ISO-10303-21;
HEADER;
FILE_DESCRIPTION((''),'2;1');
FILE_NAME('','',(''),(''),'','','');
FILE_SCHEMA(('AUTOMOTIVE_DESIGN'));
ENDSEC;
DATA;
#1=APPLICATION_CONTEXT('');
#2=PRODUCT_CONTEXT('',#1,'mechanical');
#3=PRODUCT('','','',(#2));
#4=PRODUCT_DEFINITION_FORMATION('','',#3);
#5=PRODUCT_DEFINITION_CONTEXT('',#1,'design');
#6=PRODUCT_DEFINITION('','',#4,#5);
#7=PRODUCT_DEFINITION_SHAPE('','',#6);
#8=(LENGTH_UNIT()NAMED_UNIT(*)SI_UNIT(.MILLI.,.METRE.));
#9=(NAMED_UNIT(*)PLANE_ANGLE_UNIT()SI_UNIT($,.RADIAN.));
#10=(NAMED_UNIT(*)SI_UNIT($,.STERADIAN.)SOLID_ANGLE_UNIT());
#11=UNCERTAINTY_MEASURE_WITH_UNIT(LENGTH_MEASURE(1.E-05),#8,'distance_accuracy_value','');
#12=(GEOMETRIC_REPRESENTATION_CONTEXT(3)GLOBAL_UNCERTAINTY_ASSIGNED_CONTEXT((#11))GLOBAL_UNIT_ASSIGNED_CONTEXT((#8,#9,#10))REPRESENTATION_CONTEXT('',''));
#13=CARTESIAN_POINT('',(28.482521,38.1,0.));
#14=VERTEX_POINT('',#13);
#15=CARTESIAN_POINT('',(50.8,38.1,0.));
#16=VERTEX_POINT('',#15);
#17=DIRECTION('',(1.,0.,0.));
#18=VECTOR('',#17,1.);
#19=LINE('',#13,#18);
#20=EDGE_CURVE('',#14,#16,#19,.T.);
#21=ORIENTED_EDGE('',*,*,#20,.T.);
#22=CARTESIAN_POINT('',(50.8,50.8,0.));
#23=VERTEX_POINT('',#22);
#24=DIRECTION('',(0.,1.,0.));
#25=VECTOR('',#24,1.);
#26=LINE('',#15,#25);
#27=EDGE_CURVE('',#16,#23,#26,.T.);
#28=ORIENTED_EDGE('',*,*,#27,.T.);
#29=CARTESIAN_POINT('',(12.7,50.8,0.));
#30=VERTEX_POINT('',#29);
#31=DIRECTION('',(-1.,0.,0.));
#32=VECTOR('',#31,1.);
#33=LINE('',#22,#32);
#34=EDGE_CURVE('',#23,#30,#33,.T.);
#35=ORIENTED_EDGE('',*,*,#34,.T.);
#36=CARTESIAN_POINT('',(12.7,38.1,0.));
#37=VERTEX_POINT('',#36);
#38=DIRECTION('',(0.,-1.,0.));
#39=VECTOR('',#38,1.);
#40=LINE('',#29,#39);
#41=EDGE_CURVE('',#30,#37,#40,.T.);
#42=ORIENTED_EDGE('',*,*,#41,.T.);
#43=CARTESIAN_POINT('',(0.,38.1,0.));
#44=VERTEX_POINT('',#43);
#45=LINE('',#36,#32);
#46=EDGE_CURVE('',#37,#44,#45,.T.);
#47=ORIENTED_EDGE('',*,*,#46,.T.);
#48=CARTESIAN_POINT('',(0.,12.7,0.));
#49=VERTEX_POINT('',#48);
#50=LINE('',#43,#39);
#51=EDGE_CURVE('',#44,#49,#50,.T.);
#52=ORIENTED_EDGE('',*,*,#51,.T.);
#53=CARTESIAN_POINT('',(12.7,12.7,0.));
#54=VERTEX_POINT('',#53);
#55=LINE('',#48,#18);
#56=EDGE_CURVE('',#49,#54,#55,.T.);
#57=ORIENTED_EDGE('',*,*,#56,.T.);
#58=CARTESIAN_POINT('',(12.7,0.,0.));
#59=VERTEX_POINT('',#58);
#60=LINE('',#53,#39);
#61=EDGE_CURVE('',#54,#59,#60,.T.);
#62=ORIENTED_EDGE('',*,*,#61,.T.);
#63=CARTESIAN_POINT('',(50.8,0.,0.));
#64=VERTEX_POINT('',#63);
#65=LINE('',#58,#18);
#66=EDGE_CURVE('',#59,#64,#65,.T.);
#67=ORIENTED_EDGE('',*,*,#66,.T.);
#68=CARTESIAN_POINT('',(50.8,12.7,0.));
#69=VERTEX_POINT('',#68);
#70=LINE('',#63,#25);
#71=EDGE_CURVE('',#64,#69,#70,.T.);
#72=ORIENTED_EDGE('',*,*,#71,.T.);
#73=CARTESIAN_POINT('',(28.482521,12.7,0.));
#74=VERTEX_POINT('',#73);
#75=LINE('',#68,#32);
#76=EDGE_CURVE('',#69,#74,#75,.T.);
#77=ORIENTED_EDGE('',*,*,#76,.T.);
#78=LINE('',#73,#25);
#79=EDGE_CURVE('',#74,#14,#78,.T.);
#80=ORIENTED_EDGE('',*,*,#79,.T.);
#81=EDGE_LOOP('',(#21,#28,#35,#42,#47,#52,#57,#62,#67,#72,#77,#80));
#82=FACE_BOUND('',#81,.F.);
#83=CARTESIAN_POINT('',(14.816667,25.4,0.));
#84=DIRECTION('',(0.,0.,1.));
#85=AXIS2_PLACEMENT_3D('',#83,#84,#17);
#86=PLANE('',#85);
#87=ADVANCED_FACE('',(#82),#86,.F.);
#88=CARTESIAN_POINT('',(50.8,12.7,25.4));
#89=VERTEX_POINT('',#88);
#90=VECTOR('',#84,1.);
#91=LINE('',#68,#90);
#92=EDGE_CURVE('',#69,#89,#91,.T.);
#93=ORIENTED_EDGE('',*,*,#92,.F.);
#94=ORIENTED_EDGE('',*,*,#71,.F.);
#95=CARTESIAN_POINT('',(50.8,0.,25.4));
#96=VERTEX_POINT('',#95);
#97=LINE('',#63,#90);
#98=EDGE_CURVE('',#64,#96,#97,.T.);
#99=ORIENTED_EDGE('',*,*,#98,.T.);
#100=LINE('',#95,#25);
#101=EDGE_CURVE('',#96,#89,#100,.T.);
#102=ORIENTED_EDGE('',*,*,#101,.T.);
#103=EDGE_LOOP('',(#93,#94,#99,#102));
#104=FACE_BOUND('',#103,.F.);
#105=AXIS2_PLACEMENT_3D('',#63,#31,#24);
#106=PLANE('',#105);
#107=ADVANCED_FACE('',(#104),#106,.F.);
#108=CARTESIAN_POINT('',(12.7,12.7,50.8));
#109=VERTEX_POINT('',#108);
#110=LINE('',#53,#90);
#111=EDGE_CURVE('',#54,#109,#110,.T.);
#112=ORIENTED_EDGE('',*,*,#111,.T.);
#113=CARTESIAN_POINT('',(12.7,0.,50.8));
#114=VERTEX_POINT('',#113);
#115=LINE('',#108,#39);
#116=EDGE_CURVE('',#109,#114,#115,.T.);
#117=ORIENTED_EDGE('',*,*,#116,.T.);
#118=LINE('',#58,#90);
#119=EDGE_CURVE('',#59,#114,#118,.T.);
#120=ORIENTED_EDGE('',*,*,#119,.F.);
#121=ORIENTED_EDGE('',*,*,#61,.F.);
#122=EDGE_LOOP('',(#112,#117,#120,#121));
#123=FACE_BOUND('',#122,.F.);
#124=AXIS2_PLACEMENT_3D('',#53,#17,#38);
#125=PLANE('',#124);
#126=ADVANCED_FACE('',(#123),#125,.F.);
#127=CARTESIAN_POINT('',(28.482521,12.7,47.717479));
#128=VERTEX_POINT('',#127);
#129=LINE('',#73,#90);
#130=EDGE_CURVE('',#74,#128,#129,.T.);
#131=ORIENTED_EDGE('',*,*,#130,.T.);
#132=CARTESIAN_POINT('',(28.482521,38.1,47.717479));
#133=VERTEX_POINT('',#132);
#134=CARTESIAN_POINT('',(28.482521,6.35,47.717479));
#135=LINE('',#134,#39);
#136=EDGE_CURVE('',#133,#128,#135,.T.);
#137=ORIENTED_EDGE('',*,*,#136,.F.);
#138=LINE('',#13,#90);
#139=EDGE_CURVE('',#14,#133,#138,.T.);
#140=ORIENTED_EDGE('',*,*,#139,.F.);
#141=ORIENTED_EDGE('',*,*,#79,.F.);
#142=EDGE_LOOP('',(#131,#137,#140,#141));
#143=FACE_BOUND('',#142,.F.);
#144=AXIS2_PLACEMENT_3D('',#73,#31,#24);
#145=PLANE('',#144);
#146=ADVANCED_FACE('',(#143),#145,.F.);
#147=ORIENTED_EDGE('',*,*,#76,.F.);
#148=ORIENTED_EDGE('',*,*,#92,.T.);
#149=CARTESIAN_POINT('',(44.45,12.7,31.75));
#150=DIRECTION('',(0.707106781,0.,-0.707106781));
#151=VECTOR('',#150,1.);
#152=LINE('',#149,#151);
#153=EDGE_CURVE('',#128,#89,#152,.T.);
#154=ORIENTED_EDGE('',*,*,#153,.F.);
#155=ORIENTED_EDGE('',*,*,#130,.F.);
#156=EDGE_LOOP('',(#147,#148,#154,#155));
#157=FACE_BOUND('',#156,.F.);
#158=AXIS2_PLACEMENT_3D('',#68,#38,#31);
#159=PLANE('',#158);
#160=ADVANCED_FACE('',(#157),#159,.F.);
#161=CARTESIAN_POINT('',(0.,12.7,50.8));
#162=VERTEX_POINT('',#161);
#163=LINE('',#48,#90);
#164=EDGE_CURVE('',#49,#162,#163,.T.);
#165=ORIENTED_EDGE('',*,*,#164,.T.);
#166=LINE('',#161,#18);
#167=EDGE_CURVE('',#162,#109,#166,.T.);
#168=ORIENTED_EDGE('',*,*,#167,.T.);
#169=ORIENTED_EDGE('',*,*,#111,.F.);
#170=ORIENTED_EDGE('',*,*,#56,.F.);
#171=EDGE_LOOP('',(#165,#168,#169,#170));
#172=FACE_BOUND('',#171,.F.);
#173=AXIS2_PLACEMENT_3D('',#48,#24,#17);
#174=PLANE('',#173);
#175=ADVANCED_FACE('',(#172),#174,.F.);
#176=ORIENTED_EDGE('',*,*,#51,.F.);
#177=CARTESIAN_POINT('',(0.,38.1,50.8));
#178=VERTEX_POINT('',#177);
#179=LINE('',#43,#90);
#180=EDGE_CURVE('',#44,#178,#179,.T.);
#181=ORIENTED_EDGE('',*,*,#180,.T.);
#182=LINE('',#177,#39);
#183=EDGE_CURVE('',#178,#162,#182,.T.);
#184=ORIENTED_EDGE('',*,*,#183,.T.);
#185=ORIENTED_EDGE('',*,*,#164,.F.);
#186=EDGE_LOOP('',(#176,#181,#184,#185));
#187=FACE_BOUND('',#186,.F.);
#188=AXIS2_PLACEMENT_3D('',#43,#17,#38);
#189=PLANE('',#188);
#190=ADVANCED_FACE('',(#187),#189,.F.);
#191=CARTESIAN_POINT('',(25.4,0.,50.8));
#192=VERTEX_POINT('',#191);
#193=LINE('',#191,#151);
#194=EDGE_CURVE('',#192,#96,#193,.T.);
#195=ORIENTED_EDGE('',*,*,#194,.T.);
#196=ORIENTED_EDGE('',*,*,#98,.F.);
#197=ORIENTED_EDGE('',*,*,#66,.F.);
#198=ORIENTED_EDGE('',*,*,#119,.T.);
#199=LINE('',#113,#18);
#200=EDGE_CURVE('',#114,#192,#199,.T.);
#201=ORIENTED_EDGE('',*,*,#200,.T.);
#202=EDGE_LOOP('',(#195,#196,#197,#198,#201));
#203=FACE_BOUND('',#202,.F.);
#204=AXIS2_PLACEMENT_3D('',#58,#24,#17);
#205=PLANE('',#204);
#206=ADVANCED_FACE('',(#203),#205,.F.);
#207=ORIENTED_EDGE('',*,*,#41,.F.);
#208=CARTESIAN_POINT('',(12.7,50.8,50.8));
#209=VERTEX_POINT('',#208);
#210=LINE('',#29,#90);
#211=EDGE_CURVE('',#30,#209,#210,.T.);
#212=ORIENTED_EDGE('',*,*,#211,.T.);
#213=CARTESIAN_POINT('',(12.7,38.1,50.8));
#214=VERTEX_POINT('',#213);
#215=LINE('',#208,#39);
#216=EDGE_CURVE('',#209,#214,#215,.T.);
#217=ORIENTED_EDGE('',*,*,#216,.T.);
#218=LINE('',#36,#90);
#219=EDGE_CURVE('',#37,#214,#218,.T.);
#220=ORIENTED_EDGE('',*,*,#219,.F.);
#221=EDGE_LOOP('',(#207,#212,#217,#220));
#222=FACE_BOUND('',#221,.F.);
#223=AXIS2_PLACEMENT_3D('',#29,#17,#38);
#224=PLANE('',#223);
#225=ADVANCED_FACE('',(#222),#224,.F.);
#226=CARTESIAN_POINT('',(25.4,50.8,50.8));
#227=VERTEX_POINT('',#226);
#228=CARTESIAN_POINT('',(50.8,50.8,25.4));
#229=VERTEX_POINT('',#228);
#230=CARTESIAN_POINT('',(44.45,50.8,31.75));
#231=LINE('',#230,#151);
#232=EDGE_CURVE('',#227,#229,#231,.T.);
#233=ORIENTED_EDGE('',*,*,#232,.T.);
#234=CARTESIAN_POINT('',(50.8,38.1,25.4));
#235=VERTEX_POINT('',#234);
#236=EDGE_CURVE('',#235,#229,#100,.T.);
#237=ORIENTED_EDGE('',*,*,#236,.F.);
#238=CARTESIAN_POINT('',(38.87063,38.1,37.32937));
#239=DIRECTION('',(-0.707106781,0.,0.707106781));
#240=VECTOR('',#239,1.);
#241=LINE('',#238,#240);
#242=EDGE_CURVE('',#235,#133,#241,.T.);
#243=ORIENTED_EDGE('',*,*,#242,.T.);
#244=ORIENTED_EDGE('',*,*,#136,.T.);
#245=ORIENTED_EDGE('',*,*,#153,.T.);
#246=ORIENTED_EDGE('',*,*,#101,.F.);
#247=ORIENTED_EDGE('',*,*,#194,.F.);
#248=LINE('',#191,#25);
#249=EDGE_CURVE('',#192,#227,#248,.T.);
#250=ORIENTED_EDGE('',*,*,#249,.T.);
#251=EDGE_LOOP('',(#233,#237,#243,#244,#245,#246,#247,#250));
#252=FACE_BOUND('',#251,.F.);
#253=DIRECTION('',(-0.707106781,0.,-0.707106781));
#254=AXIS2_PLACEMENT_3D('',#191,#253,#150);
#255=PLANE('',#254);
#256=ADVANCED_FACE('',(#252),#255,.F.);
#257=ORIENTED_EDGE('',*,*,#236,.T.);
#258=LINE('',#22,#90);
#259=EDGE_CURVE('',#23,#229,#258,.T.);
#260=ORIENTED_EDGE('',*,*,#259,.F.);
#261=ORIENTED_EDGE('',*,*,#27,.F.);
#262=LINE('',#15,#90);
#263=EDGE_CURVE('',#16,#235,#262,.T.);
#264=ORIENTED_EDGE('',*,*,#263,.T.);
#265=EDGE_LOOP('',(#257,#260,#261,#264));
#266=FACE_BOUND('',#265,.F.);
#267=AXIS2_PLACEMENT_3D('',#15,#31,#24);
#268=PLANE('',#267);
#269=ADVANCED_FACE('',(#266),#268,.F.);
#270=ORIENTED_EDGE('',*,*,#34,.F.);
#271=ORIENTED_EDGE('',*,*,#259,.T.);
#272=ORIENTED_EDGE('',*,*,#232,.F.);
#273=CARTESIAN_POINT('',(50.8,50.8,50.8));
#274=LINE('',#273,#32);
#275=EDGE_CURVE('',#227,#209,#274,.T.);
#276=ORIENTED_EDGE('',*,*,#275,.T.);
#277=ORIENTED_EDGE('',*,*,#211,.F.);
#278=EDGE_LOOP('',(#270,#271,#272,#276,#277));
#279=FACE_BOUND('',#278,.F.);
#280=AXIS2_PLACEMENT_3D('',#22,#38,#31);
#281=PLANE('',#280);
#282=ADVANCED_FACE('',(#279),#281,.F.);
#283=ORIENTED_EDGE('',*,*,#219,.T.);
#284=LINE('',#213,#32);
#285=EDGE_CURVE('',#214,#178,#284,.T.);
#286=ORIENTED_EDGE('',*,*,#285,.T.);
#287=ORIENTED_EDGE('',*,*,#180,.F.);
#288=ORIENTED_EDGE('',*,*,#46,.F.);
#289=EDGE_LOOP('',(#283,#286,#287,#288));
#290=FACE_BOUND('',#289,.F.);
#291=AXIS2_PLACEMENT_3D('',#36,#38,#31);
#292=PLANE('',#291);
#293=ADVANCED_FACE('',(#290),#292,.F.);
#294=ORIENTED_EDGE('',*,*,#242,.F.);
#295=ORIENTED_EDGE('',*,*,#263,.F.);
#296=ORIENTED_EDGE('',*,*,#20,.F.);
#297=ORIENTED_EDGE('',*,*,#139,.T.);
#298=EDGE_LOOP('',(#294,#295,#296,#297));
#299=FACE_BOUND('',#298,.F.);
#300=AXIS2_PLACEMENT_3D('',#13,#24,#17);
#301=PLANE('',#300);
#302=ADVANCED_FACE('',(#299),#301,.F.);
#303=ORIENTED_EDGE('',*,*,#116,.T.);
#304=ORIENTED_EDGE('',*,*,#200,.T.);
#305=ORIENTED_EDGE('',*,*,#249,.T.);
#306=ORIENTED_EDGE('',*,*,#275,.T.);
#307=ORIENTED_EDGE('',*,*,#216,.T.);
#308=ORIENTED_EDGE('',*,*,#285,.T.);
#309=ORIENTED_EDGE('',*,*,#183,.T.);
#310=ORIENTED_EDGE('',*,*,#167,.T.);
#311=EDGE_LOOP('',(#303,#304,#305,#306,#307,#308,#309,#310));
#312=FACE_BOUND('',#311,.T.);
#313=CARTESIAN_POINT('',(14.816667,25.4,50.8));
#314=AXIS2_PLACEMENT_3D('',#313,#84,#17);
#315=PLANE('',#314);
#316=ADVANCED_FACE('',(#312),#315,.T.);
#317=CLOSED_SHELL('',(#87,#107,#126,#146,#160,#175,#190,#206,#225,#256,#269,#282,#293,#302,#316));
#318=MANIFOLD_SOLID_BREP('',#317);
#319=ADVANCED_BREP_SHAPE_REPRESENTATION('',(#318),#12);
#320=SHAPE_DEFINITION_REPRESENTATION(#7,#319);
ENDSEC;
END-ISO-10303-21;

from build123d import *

# Parameters (mm, degrees)
F2_DEPTH = 50.8
F3_DEPTH = 50.801


with BuildPart() as f2:
    # F1 (on Top) → F2 (new body)
    with BuildSketch(Plane.XY):
        Polygon((12.7, 38.1), (0, 38.1), (0, 12.7), (12.7, 12.7), (12.7, 0), (25.4, 0), (25.4, 50.8), (12.7, 50.8), align=None)
        Polygon((50.8, 50.8), (25.4, 50.8), (25.4, 0), (50.8, 0), (50.8, 12.7), (28.482521, 12.7), (28.482521, 38.1), (50.8, 38.1), align=None)
    extrude(amount=F2_DEPTH)

    # F0 (on Front) → F3 (cut, through all)
    with BuildSketch(Plane.XZ):
        Polygon((50.8, 50.8), (25.4, 50.8), (50.8, 25.4), align=None)
    extrude(amount=-F3_DEPTH, mode=Mode.SUBTRACT)


solid = f2.part
